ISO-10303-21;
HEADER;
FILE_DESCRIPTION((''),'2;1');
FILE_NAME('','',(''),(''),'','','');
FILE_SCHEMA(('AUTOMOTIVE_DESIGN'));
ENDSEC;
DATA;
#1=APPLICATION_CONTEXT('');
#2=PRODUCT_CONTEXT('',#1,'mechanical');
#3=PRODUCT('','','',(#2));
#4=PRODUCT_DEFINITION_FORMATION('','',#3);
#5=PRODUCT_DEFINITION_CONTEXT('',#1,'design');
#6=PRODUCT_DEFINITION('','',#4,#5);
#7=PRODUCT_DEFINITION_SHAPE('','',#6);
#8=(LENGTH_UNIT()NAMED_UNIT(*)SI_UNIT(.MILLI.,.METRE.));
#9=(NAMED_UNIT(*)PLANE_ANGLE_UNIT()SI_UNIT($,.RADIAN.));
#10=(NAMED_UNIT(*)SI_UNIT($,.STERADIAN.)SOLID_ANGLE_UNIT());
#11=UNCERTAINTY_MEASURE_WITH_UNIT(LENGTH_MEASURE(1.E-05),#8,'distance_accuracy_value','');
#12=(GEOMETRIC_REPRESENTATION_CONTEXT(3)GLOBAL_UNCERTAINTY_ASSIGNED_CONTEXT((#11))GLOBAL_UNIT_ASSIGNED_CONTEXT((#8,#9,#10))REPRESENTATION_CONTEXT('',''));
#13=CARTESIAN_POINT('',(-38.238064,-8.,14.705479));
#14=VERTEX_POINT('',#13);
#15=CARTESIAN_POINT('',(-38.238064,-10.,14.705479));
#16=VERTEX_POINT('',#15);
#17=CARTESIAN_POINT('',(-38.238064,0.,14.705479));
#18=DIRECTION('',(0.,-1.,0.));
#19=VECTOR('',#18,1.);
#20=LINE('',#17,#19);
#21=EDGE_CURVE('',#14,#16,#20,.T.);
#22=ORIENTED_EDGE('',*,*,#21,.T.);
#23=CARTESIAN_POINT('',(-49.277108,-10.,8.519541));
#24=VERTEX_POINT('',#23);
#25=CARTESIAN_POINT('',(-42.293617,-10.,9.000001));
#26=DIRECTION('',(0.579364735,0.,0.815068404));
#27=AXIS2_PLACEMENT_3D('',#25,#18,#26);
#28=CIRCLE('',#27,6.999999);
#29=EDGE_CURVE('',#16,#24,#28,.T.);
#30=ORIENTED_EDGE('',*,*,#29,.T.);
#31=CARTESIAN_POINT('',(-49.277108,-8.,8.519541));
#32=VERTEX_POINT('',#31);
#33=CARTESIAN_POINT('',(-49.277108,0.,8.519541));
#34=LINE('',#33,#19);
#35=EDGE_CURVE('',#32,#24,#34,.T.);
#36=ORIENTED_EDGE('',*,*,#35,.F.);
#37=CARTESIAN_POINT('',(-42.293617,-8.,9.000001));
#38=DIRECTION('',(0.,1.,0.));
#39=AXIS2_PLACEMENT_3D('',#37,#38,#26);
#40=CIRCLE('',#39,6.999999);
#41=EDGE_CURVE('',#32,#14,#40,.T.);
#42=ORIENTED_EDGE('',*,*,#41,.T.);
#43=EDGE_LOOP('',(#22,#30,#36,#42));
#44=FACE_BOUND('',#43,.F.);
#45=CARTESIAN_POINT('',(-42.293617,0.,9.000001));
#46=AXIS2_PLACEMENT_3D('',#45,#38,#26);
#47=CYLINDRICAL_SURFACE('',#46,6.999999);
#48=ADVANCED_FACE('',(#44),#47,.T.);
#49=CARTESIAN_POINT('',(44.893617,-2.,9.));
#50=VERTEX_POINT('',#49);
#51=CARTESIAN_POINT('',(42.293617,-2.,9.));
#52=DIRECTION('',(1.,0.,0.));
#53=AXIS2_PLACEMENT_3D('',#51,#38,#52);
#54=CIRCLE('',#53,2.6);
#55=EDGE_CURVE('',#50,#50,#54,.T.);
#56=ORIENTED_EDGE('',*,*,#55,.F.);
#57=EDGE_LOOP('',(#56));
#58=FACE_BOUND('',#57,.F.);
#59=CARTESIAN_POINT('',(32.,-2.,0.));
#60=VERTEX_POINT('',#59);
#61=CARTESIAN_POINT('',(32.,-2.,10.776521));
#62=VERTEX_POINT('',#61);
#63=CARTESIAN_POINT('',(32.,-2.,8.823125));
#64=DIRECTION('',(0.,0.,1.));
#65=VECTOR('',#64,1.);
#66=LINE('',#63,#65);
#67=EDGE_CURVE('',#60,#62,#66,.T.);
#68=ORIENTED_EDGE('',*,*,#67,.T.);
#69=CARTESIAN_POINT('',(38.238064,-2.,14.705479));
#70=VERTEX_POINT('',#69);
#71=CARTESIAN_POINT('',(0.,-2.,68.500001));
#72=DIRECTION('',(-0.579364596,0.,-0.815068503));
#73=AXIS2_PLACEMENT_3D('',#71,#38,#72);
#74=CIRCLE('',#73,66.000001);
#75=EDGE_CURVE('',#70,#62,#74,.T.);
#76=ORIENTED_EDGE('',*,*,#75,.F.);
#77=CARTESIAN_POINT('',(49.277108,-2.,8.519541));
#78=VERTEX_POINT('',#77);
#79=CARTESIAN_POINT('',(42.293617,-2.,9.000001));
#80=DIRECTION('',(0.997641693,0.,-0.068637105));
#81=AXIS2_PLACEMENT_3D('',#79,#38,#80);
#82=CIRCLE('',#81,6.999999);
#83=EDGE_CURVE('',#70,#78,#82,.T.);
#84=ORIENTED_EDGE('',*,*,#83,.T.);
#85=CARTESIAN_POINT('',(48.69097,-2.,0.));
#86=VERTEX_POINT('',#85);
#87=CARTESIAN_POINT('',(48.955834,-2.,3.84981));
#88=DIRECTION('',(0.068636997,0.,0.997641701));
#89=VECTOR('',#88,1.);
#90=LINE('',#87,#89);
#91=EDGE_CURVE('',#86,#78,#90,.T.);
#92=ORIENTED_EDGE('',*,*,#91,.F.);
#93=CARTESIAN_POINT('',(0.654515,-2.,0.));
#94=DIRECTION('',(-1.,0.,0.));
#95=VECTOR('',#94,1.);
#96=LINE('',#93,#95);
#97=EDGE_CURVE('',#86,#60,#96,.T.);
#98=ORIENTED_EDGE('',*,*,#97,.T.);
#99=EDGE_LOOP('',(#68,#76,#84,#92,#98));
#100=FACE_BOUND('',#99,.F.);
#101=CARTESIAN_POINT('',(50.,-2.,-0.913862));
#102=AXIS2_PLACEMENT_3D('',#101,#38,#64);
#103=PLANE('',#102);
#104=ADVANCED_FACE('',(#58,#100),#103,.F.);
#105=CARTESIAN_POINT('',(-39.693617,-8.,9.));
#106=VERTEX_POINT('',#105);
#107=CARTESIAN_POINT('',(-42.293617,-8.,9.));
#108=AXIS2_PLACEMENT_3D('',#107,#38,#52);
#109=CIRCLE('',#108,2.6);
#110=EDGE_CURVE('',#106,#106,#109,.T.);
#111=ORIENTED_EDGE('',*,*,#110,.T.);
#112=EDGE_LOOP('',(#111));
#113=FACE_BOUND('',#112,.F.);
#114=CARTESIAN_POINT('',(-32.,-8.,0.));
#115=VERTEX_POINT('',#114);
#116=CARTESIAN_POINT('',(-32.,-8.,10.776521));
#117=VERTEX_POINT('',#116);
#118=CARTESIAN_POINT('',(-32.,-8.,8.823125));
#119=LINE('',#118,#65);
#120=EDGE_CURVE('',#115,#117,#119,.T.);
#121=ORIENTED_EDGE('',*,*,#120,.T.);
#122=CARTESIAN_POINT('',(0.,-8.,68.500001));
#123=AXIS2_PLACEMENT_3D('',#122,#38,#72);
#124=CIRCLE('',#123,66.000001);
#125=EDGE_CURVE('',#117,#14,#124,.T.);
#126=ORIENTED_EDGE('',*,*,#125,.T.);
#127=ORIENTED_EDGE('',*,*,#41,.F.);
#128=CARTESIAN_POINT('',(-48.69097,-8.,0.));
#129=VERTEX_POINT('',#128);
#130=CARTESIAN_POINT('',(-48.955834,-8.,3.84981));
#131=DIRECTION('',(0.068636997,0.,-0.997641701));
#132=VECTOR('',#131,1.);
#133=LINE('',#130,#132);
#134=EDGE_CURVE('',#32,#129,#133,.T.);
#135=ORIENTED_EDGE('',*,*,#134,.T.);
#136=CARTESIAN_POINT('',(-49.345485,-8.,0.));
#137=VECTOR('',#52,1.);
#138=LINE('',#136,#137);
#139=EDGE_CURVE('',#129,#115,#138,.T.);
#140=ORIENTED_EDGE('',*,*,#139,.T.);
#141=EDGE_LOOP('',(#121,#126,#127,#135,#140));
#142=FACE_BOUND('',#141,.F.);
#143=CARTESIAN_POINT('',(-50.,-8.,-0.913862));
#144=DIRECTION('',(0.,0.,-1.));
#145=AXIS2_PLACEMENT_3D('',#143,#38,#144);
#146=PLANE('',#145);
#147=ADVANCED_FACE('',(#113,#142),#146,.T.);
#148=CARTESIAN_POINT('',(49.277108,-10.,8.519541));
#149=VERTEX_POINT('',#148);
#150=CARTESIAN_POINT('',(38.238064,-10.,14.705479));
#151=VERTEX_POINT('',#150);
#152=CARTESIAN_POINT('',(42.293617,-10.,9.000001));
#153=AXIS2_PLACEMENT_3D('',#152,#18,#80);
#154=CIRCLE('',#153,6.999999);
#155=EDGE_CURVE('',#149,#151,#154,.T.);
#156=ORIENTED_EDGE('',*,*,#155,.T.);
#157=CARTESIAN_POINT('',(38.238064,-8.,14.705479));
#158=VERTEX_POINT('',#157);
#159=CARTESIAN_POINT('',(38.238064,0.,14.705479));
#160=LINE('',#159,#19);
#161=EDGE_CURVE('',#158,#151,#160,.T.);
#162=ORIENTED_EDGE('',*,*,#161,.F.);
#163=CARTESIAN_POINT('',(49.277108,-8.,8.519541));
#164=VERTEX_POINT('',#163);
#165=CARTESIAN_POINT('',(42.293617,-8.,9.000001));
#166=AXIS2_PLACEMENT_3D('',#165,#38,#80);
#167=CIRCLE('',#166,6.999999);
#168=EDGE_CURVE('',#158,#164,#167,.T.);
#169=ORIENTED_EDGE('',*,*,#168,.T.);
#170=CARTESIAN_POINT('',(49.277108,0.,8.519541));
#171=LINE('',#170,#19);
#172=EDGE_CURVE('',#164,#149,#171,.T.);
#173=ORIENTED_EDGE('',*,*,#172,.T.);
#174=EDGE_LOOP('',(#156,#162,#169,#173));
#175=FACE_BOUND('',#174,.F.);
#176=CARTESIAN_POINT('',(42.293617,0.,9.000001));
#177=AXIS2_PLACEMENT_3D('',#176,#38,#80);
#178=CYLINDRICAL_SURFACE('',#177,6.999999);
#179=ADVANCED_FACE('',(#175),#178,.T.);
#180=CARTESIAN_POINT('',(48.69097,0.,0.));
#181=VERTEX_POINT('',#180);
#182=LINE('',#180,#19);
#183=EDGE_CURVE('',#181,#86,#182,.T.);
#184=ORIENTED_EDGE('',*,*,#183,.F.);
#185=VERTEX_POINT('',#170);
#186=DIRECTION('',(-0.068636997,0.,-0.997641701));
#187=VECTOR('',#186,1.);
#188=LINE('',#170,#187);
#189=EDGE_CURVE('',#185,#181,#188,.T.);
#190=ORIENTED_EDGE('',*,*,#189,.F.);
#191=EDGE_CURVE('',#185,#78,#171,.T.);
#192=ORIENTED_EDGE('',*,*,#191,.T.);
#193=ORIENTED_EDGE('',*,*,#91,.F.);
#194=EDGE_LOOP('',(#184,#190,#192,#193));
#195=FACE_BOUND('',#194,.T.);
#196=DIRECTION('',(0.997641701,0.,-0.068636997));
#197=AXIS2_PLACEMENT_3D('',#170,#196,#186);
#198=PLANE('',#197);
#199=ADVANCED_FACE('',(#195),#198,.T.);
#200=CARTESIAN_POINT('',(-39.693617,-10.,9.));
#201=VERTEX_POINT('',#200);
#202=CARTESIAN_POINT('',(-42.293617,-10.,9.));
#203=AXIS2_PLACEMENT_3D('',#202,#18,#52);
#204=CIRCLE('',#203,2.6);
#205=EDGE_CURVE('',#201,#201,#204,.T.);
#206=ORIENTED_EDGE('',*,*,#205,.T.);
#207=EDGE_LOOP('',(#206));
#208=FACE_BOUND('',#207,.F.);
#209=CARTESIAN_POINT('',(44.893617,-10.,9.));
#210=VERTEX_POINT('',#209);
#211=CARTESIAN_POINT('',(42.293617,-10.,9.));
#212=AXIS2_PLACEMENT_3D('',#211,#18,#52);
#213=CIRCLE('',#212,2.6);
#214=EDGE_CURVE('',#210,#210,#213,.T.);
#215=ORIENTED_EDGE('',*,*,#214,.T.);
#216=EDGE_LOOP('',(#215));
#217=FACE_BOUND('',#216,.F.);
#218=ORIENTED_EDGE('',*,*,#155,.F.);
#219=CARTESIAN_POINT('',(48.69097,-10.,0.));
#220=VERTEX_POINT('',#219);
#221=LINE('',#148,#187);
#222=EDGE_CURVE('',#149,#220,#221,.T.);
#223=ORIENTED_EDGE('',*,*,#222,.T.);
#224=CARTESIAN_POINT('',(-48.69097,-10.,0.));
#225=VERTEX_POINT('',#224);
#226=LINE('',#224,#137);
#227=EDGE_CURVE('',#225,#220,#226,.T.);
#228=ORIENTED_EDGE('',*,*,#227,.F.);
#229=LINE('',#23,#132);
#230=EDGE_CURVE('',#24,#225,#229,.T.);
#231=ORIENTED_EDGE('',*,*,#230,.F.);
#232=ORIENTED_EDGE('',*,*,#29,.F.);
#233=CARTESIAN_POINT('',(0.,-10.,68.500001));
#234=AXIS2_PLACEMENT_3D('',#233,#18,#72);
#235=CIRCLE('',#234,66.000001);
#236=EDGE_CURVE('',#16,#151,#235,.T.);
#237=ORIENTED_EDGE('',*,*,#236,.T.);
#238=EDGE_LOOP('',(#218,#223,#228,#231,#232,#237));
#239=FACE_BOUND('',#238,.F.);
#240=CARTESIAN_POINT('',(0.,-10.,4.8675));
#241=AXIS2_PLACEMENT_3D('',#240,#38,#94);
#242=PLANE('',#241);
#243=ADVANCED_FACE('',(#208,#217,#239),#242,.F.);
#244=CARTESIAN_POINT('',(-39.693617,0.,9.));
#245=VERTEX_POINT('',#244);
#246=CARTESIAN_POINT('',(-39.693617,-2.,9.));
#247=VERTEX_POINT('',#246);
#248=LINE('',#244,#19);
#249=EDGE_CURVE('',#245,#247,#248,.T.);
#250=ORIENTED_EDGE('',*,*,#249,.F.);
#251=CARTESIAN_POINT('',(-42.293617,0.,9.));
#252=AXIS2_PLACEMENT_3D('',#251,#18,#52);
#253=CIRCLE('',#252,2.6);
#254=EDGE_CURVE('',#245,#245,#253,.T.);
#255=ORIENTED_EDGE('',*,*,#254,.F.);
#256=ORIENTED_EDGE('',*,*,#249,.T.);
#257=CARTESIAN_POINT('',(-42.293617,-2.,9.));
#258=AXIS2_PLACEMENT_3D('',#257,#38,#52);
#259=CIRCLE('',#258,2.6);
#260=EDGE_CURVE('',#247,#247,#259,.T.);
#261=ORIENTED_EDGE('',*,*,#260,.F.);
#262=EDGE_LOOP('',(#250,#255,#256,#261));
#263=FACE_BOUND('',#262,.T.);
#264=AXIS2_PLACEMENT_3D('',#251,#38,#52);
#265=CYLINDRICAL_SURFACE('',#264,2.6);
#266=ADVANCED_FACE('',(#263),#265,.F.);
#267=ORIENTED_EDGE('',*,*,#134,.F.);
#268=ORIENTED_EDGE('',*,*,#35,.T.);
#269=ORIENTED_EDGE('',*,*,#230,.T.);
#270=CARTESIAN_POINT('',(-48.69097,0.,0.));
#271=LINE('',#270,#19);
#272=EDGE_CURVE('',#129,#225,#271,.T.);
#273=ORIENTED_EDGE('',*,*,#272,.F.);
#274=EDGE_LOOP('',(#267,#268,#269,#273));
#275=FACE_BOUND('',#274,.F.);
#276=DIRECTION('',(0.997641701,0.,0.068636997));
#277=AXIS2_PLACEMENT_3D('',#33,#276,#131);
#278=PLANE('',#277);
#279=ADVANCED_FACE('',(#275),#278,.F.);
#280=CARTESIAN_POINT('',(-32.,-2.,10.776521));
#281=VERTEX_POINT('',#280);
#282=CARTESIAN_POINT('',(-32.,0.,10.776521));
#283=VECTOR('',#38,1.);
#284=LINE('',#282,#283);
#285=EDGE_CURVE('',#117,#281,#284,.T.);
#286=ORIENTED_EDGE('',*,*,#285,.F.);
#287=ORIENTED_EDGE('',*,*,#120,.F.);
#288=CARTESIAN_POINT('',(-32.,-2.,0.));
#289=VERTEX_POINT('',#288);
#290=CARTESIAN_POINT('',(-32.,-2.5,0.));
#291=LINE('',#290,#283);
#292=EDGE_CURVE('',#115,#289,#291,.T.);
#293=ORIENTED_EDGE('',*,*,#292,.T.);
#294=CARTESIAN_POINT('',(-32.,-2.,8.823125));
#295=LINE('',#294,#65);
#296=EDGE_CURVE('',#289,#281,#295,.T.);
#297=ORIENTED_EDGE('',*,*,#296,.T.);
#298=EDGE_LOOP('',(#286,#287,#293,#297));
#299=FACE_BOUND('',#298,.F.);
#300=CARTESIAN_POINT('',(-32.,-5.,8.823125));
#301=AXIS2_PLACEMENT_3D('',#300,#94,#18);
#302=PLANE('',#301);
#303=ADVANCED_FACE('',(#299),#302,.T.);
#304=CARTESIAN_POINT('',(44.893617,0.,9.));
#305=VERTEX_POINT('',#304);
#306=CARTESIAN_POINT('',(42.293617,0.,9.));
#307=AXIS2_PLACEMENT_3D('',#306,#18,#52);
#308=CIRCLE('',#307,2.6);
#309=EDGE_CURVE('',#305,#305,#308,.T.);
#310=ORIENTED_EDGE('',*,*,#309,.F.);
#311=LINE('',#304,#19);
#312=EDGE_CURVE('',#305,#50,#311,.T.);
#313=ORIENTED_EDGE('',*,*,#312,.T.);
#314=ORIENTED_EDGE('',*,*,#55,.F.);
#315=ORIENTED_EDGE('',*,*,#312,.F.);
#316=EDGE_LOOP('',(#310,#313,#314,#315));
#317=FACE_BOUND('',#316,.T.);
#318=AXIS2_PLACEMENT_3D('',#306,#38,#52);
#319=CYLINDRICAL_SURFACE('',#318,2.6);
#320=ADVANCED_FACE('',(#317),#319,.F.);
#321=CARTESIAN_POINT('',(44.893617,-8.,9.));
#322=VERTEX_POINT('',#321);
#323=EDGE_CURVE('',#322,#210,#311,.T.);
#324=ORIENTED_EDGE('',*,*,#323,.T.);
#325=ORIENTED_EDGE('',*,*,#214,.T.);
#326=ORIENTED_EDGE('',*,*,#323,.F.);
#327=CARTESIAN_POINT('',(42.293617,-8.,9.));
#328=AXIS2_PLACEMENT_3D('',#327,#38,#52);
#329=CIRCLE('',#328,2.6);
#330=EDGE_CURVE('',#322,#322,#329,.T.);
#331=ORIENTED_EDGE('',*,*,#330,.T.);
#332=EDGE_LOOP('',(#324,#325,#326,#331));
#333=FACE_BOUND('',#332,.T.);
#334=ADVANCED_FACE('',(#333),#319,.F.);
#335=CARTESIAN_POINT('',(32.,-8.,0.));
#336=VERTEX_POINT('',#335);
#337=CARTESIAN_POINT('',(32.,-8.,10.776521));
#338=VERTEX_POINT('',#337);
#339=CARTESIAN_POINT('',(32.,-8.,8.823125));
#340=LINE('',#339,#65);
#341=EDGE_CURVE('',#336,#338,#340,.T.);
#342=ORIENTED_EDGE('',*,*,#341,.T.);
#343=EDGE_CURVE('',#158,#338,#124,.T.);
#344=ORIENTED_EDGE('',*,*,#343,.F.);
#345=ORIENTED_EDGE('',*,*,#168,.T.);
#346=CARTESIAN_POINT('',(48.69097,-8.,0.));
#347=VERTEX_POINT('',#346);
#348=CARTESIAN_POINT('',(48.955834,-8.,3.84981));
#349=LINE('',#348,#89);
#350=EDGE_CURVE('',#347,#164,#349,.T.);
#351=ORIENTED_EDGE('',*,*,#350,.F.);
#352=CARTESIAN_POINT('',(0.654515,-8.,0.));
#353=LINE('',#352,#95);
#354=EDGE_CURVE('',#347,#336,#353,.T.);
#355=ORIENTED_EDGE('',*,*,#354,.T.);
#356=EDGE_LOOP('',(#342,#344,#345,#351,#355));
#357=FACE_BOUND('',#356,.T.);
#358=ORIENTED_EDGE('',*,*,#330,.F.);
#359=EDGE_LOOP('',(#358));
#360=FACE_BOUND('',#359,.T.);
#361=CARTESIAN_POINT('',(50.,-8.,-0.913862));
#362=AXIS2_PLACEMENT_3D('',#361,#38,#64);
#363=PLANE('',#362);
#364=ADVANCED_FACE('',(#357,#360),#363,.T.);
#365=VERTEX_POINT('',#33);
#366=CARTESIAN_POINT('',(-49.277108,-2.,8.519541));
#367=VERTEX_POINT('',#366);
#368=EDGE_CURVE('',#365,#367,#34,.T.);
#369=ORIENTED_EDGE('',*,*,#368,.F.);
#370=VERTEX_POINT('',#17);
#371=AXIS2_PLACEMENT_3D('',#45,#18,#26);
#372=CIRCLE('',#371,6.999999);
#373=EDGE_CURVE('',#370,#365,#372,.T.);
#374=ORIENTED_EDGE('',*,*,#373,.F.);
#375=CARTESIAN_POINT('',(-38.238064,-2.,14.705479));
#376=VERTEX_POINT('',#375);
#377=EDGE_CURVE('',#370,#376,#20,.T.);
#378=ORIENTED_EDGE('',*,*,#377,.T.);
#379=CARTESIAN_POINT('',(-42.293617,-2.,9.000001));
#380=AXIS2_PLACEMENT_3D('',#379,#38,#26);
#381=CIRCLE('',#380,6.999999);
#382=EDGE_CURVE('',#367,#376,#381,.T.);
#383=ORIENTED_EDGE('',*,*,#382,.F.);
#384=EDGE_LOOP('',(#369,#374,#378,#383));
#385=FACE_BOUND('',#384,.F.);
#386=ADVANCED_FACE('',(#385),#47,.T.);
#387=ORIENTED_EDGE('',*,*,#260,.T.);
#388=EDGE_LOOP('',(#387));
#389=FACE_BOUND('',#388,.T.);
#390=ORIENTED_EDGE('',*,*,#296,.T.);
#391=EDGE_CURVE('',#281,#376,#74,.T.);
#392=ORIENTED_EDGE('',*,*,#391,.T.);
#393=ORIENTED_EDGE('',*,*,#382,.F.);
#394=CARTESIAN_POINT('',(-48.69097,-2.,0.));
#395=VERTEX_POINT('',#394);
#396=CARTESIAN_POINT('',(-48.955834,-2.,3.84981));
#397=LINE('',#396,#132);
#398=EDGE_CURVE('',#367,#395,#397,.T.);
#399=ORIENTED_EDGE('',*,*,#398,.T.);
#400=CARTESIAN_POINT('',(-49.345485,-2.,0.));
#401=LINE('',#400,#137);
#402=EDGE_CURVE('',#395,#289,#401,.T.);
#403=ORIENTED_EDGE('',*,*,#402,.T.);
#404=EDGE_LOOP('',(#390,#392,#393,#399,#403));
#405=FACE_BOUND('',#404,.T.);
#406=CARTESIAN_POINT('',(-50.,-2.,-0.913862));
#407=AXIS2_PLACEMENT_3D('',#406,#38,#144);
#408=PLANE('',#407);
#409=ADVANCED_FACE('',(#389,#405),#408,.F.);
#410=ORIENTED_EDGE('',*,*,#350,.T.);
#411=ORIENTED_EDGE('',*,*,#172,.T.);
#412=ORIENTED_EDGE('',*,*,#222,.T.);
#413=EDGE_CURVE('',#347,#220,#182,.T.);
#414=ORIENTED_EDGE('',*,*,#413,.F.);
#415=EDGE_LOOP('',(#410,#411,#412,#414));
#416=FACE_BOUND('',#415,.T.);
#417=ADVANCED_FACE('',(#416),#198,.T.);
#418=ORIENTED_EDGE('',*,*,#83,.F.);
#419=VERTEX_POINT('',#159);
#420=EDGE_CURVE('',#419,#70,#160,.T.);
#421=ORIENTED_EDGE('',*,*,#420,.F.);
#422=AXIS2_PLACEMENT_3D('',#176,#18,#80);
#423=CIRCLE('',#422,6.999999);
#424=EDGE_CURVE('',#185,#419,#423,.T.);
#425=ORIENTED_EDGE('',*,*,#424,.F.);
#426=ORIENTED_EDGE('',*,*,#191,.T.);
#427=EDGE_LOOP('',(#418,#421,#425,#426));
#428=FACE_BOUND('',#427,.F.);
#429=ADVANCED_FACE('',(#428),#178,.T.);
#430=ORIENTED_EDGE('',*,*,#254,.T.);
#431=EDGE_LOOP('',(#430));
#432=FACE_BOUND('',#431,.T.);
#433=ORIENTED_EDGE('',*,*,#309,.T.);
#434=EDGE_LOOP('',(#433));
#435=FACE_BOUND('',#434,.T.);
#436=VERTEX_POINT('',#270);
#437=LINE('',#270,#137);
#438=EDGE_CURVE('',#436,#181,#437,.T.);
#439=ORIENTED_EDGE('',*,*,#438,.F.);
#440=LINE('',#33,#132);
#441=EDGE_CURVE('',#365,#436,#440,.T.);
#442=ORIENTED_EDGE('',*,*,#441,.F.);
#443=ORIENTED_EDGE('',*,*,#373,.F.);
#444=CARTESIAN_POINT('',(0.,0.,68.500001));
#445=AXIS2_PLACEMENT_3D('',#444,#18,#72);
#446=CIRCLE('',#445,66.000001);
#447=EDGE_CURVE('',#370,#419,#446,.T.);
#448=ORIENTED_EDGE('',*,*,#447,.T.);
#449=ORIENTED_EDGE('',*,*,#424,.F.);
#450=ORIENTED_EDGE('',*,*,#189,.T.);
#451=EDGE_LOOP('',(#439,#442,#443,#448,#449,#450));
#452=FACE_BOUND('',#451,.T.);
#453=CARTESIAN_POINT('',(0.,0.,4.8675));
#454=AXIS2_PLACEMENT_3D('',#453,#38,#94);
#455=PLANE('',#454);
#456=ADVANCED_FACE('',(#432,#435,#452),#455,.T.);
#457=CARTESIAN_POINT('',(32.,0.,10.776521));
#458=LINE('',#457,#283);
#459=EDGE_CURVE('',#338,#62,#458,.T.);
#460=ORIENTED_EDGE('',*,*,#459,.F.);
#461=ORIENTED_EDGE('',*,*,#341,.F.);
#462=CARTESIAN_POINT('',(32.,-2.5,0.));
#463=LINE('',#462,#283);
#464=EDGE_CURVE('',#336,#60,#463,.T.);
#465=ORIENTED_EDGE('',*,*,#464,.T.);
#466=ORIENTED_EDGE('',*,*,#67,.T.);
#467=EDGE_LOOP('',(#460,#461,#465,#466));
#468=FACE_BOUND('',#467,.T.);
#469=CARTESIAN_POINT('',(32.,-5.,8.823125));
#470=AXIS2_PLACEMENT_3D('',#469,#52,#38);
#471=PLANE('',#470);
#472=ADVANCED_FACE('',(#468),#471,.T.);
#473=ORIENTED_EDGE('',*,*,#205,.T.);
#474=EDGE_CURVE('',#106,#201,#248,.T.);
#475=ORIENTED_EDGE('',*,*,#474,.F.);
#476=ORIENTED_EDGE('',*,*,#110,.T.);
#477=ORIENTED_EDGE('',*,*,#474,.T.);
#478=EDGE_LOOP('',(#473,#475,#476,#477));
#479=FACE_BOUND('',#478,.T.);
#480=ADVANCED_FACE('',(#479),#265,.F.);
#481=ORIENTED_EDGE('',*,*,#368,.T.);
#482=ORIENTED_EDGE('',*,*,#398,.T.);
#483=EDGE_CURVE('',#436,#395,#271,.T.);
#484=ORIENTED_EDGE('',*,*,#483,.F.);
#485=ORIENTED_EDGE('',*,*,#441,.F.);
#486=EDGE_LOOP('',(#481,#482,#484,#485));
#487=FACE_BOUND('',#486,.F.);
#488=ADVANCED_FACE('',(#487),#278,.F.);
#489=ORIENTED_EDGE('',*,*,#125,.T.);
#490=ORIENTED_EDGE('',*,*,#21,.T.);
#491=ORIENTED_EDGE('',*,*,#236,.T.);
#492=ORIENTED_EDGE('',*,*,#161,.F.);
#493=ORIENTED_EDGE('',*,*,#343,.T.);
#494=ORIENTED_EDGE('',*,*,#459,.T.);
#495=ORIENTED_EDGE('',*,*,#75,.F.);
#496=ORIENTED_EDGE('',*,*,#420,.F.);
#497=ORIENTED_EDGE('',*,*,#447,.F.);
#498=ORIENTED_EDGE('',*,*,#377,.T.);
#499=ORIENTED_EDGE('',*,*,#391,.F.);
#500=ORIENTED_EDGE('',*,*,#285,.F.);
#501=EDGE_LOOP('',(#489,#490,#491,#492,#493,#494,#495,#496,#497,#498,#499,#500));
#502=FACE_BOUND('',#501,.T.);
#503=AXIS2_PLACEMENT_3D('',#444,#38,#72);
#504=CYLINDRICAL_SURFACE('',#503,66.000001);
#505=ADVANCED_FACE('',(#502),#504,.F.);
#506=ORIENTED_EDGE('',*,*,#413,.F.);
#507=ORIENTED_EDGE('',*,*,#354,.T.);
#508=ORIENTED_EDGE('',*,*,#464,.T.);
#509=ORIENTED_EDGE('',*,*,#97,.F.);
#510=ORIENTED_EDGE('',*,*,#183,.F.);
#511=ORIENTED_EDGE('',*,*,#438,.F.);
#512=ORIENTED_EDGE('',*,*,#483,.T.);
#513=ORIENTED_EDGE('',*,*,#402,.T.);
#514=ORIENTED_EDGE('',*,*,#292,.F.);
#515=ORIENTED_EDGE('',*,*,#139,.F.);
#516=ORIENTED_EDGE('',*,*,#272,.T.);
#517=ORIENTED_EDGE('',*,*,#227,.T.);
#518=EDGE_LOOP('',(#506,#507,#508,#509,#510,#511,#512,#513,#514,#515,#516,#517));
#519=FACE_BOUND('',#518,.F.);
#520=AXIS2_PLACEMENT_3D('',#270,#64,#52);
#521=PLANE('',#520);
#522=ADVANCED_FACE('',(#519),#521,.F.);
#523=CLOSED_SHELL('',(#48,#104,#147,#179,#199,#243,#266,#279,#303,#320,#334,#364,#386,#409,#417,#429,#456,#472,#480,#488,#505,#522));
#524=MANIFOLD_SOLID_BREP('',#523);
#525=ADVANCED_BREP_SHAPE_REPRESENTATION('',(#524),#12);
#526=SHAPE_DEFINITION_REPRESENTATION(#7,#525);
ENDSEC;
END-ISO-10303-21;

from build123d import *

# Parameters (mm, degrees)
SKETCH_R     = 2.6
PAD_DEPTH    = 10
SKETCH002_W  = 6
SKETCH002_H  = 19.473974
POCKET_DEPTH = 18


with BuildPart() as part:
    # Sketch → Pad (new body)
    with BuildSketch(Plane.XZ):
        with BuildLine():
            ThreePointArc((-38.238064, 14.705479), (0, 2.5), (38.238064, 14.705479))
            ThreePointArc((49.277108, 8.519541), (45.715556, 15.106581), (38.238064, 14.705479))
            Line((49.277108, 8.519541), (48.69097, 0))
            Line((-48.69097, 0), (48.69097, 0))
            Line((-49.277108, 8.519541), (-48.69097, 0))
            ThreePointArc((-38.238064, 14.705479), (-45.715556, 15.106581), (-49.277108, 8.519541))
        make_face()
        with Locations((-42.293617, 9)):
            Circle(SKETCH_R, mode=Mode.SUBTRACT)
        with Locations((42.293617, 9)):
            Circle(SKETCH_R, mode=Mode.SUBTRACT)
    extrude(amount=PAD_DEPTH)

    # Sketch002 (on DatumPlane) → Pocket (cut)
    with BuildSketch(Plane.YZ.offset(50)):
        with Locations((-5, 8.823125)):
            Rectangle(SKETCH002_W, SKETCH002_H)
    pocket = extrude(amount=-POCKET_DEPTH, mode=Mode.SUBTRACT)

    # Mirrored: Pocket across YZ
    add(pocket.mirror(Plane.YZ), mode=Mode.SUBTRACT)


solid = part.part
